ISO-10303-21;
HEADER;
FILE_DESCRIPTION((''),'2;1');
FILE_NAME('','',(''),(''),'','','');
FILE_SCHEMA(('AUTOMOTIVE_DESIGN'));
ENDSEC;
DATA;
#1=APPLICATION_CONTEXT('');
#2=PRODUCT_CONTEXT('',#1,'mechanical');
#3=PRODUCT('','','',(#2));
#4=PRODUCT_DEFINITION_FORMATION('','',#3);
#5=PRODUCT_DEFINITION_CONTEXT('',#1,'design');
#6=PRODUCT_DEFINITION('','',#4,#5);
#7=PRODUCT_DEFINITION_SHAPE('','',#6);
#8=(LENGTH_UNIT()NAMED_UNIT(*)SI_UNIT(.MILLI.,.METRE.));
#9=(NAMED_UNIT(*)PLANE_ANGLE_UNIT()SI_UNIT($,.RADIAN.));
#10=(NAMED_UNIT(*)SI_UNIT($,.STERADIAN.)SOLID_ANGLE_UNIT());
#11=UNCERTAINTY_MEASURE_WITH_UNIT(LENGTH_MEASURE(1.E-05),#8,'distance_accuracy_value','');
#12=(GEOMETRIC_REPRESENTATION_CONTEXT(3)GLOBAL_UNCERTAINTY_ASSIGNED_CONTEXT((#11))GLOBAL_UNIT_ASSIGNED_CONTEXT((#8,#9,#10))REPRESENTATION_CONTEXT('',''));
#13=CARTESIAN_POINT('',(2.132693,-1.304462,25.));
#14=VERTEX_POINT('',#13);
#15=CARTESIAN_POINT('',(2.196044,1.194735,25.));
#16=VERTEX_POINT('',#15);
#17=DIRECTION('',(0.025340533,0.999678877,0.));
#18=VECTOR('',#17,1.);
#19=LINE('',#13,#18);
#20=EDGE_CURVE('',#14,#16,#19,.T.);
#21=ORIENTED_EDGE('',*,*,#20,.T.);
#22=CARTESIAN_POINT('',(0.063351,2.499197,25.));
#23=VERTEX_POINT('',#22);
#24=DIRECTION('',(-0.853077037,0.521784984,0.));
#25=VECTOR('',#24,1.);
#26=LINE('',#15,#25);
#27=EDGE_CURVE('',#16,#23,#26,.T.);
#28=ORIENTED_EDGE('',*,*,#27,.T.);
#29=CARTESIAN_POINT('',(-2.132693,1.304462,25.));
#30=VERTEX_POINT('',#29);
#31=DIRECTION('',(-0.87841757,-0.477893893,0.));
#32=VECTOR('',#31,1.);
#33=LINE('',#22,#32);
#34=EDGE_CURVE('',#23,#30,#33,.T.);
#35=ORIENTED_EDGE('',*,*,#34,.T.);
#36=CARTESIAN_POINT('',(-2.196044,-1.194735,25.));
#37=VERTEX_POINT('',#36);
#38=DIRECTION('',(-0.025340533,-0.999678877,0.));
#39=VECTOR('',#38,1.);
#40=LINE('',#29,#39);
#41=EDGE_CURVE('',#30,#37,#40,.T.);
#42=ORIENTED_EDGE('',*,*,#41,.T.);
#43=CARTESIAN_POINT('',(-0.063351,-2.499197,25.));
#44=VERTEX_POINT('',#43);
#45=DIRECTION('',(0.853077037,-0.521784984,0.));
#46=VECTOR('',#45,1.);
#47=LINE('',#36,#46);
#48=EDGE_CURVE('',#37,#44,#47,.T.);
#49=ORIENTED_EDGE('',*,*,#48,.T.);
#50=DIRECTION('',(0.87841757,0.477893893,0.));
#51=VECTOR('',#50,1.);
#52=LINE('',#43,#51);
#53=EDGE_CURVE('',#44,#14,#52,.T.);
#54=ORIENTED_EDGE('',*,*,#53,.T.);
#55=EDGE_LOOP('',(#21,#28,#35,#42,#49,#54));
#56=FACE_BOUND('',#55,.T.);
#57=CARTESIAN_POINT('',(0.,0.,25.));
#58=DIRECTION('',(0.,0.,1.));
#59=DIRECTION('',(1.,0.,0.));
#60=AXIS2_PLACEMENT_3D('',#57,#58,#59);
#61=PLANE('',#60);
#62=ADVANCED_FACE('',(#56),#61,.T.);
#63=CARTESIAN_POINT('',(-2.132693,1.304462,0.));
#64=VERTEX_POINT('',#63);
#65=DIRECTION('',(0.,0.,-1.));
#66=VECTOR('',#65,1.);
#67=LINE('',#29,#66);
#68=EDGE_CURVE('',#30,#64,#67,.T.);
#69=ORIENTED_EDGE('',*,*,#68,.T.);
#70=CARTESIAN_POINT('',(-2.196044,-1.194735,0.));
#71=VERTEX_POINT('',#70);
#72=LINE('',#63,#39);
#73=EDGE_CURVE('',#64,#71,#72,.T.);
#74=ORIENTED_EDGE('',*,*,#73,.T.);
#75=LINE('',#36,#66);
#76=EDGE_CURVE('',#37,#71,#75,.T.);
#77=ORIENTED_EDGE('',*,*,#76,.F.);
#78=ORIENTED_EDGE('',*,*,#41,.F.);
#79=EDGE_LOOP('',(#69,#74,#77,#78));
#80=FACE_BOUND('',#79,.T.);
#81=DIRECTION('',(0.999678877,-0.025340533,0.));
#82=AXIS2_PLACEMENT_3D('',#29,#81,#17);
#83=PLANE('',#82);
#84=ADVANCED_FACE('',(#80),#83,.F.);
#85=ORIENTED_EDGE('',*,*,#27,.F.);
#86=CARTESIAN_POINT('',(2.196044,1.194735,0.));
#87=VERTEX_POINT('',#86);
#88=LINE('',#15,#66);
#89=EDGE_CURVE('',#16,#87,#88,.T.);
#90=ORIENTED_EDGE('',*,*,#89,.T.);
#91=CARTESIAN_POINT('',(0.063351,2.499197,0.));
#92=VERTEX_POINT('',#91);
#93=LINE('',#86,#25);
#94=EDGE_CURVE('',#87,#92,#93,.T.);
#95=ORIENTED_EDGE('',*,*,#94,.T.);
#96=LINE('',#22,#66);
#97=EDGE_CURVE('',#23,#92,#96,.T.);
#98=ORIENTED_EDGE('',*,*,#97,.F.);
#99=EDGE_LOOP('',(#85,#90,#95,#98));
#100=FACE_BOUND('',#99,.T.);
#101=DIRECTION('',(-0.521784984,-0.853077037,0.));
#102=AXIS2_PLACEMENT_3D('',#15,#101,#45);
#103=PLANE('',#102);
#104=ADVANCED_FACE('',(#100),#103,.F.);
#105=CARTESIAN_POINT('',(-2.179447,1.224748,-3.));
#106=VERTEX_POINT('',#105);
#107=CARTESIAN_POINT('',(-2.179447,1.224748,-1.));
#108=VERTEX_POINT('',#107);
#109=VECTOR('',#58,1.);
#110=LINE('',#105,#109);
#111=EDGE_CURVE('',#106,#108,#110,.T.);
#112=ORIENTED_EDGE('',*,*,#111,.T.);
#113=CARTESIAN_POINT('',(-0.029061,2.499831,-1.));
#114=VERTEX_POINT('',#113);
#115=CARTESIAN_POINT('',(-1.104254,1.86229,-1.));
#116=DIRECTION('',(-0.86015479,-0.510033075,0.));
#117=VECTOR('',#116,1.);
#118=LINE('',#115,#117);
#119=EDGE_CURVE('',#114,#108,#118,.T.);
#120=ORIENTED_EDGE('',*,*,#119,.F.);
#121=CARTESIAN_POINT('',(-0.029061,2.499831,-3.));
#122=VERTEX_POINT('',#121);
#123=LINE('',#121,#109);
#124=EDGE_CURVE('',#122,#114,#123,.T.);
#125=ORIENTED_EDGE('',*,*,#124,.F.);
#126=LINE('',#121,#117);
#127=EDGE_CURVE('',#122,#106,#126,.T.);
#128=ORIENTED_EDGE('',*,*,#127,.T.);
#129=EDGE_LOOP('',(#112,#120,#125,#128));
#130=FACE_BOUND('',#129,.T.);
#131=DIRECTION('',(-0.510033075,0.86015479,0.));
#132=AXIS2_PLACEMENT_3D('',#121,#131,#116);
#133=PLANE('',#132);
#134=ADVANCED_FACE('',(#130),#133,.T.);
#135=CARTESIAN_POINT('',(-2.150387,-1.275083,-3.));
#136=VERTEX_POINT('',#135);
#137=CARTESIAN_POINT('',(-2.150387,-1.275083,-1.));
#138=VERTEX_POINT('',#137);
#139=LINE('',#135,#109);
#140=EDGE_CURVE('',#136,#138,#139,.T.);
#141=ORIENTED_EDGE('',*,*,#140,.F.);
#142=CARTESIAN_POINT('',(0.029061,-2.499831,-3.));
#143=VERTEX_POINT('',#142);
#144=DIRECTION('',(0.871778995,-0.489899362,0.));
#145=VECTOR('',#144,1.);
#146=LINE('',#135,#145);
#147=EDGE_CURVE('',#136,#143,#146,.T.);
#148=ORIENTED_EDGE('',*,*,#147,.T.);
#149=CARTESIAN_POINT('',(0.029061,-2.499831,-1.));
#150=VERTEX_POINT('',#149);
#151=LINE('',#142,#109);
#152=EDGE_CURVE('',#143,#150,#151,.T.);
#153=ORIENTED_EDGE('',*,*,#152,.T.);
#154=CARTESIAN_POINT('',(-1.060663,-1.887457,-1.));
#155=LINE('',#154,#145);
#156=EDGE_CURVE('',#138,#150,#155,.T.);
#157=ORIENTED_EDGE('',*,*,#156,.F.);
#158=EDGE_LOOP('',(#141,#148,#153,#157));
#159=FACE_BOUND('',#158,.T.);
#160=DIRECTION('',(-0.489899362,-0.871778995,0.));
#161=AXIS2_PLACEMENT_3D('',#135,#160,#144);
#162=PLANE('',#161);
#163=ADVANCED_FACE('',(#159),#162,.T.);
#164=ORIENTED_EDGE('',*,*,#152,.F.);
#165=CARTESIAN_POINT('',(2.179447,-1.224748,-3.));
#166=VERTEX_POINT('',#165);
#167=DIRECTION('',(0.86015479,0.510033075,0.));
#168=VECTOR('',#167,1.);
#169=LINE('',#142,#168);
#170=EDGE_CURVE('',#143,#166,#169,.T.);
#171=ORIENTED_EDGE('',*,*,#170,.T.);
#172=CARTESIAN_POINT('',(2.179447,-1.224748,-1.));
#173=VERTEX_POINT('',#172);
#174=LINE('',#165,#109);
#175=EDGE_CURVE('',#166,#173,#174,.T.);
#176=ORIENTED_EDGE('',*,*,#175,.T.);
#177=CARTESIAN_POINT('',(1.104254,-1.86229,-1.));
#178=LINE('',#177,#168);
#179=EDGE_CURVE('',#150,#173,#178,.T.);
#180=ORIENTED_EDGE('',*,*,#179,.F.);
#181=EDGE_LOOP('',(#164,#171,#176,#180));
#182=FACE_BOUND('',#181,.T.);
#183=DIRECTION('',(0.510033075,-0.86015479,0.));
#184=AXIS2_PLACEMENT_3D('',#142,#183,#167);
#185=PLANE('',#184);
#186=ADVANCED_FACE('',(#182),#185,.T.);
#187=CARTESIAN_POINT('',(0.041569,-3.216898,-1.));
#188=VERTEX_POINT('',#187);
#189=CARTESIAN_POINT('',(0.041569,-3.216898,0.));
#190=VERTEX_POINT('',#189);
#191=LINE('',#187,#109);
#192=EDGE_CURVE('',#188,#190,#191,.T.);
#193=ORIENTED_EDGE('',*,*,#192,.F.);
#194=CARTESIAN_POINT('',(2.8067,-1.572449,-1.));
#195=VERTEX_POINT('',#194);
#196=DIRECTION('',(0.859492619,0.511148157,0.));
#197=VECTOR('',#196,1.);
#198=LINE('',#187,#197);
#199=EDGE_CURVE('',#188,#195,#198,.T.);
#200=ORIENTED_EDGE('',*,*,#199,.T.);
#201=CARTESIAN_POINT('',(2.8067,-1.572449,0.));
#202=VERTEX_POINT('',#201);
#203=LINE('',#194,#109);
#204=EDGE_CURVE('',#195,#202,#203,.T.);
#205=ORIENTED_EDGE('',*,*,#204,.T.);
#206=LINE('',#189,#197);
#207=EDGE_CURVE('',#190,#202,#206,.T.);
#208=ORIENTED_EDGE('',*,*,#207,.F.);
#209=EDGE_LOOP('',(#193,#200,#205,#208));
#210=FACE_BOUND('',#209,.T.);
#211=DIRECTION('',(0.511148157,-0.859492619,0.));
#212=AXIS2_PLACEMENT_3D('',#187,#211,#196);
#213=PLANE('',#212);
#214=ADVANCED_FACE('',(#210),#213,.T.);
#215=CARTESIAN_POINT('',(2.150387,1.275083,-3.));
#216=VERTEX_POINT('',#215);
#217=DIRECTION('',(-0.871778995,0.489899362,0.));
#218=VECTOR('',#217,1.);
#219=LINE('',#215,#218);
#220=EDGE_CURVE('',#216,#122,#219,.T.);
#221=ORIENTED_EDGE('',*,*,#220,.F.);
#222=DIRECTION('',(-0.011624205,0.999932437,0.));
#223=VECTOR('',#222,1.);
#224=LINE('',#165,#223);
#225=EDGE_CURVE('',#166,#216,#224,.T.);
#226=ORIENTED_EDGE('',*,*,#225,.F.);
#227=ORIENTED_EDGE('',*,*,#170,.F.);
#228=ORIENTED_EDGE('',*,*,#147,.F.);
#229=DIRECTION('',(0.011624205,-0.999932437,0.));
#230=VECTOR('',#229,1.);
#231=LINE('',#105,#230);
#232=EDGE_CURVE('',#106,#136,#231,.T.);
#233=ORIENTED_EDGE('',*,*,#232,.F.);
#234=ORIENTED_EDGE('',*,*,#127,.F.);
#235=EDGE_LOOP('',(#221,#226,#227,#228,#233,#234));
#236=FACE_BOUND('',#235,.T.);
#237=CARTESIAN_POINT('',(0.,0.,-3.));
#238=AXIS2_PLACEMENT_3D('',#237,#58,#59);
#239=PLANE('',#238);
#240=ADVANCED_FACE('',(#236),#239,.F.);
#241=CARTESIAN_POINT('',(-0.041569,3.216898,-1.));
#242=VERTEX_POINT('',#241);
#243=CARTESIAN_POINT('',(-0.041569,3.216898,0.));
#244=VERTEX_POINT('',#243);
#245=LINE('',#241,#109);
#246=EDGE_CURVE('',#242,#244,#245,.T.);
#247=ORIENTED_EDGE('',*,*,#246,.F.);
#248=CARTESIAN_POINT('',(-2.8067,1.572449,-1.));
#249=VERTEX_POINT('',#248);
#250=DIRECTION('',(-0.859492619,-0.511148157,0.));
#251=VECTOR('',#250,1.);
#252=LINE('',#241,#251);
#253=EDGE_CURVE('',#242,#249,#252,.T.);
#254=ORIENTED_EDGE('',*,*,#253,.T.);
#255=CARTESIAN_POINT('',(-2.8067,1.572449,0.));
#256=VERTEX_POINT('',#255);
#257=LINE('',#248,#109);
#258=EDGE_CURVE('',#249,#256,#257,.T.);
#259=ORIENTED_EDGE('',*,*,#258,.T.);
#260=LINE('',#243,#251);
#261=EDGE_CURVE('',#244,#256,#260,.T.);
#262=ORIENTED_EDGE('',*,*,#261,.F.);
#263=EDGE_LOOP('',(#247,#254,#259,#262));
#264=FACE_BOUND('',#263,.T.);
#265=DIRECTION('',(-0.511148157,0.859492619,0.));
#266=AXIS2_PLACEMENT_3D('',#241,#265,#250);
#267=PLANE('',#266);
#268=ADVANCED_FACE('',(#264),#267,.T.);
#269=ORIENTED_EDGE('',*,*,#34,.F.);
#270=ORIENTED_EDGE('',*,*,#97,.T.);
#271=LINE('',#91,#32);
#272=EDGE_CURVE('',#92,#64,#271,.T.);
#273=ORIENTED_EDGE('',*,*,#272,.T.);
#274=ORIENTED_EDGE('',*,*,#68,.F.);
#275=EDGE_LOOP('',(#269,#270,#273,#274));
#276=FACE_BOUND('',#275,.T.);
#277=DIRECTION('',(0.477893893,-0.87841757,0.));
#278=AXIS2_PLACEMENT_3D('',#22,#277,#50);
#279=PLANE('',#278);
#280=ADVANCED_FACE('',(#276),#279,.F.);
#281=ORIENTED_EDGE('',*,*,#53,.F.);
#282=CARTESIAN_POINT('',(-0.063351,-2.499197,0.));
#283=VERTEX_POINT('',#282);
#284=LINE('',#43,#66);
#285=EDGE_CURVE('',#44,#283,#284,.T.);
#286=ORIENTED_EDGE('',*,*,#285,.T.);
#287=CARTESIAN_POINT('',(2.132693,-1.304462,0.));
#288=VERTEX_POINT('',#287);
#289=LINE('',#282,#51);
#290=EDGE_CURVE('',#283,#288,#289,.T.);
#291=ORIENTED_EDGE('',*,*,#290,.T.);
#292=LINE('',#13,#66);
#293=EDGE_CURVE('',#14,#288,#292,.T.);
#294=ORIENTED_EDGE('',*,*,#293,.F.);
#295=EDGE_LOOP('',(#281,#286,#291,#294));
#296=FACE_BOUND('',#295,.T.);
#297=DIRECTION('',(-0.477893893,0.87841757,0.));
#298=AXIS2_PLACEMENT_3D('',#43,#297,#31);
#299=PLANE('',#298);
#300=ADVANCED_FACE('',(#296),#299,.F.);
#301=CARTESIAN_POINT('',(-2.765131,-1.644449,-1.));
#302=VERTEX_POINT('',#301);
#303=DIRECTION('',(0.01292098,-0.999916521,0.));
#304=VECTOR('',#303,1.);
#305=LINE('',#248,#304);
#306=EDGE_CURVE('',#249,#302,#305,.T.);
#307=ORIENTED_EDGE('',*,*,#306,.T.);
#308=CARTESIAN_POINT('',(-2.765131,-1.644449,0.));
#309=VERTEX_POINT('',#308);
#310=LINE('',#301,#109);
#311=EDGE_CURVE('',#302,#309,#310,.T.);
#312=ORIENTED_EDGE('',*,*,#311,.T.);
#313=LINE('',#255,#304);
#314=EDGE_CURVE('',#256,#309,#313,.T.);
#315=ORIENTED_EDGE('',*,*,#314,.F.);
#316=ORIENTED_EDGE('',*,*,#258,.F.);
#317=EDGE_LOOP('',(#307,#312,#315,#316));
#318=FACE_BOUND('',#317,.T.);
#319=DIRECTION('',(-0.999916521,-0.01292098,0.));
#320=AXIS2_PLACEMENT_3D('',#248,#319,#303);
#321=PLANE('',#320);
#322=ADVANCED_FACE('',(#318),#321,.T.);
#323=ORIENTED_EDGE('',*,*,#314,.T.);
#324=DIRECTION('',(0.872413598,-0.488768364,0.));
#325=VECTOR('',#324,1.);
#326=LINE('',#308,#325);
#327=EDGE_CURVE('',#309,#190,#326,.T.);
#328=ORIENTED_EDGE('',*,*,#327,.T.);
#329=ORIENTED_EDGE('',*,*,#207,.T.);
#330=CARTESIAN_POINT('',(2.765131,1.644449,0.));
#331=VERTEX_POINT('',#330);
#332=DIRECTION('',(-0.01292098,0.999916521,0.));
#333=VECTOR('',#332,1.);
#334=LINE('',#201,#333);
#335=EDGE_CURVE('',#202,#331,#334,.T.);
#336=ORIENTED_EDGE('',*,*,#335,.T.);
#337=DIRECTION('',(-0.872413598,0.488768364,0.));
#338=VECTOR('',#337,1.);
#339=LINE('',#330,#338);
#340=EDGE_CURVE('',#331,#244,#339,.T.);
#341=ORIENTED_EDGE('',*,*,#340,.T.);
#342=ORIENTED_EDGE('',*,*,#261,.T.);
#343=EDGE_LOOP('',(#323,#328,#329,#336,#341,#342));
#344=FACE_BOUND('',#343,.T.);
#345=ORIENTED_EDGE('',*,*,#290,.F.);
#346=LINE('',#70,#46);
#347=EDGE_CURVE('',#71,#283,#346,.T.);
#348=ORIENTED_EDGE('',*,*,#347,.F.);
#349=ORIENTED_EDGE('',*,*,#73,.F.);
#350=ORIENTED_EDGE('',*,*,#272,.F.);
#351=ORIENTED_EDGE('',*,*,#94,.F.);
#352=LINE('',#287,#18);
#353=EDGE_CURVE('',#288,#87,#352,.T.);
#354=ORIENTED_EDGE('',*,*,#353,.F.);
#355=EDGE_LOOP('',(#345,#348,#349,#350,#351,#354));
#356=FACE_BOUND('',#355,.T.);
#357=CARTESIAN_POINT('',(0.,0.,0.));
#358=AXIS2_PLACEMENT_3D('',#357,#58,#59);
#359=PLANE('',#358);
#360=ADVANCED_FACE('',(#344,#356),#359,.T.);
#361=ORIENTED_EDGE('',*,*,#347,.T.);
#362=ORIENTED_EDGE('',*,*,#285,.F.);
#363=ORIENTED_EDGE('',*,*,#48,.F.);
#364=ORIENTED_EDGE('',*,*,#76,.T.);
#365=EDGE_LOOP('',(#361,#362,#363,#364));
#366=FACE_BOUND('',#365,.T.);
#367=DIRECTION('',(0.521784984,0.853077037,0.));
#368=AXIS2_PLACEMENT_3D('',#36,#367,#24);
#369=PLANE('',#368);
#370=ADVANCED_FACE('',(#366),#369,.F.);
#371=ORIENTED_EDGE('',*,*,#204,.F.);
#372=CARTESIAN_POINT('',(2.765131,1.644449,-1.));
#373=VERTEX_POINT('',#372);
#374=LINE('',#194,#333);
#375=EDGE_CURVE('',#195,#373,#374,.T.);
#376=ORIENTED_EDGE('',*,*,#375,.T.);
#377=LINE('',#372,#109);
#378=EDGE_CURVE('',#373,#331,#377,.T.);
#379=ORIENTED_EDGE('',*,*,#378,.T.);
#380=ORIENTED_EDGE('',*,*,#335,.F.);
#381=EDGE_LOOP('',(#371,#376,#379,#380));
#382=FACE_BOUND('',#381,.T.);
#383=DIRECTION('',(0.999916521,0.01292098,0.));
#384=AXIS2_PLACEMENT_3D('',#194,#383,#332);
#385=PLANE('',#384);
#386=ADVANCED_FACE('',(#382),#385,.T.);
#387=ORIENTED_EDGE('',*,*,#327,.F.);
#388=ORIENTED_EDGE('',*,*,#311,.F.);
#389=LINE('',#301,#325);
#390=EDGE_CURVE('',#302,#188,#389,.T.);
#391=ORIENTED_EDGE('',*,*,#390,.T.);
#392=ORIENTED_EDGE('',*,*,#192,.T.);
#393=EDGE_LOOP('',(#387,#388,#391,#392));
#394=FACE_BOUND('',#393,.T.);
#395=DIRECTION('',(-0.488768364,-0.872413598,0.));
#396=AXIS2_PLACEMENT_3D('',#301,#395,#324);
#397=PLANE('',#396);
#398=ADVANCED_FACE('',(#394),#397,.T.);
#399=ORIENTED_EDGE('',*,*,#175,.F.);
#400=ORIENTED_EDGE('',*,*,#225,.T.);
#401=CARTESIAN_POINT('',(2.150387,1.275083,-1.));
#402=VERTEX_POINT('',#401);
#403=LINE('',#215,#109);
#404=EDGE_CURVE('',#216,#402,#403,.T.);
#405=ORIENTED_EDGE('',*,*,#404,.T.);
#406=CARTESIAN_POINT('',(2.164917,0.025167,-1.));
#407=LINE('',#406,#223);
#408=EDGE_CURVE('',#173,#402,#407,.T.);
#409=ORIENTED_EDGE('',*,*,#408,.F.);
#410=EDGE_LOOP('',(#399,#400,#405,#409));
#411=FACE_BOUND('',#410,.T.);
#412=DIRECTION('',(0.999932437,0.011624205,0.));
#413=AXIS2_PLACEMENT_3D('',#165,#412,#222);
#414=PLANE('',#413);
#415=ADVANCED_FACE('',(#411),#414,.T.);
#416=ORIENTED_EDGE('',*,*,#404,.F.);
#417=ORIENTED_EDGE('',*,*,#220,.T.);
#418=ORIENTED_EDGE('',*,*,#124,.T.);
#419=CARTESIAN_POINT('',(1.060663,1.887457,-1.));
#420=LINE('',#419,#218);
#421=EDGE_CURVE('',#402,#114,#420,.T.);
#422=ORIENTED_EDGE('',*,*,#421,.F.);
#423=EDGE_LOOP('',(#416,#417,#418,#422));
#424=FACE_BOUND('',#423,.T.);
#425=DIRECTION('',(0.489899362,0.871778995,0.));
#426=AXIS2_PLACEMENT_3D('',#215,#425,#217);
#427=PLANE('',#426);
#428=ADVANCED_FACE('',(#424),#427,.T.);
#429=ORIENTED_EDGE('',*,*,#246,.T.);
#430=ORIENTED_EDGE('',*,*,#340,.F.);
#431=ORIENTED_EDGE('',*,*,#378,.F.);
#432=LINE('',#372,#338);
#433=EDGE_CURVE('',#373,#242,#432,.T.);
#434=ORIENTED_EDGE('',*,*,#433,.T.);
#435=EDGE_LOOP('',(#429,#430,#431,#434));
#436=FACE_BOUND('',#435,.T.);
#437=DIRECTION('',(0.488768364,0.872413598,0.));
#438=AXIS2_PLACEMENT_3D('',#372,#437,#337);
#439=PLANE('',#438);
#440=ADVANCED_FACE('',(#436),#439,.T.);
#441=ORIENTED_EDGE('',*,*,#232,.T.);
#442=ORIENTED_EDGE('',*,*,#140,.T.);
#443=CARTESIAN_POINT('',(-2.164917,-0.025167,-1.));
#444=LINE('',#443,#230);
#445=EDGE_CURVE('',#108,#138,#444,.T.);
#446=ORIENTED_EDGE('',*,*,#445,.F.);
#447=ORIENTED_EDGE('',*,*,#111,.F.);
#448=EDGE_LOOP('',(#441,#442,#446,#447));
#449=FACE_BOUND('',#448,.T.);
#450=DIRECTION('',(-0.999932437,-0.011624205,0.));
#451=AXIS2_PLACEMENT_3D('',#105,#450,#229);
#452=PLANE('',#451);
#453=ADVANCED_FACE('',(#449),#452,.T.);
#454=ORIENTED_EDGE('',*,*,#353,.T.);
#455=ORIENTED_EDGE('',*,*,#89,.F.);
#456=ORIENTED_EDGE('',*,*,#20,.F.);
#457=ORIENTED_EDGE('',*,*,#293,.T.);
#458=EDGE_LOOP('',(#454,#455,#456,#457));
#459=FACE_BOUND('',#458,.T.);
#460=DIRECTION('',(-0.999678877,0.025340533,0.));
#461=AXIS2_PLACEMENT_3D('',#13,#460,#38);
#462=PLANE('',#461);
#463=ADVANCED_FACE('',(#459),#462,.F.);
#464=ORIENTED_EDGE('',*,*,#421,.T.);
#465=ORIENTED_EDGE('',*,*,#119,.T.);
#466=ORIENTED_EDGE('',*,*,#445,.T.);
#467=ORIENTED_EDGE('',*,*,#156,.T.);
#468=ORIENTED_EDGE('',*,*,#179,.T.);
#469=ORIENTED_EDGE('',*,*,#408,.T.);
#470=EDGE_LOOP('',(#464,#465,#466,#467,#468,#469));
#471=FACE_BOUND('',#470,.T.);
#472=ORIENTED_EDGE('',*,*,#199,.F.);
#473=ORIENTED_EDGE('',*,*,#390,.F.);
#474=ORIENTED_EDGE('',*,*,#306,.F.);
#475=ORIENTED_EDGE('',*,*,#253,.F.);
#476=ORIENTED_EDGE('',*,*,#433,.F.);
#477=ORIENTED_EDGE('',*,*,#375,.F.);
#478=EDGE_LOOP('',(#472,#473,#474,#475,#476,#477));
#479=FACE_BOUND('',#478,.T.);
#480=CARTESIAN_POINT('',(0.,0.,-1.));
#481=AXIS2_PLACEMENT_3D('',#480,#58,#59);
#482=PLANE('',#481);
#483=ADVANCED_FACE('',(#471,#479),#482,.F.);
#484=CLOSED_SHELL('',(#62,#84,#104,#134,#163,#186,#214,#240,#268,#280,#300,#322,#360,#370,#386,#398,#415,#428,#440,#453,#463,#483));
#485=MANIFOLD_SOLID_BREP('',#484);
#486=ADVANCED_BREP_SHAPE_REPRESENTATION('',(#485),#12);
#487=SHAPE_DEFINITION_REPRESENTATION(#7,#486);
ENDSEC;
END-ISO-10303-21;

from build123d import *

# Parameters (mm, degrees)
BOSS_EXTRUDE1_DEPTH = 25
BOSS_EXTRUDE2_DEPTH = 1
BOSS_EXTRUDE3_DEPTH = 3


with BuildPart() as part:
    # Sketch2 → Boss-Extrude1 (new body)
    with BuildSketch(Plane.XY):
        Polygon((2.132692592, -1.304462459), (2.196043924, 1.194734734), (0.063351332, 2.499197193), (-2.132692592, 1.304462459), (-2.196043924, -1.194734734), (-0.063351332, -2.499197193), align=None)
    extrude(amount=BOSS_EXTRUDE1_DEPTH)

    # Sketch3 → Boss-Extrude2 (add)
    with BuildSketch(Plane.XY):
        Polygon((2.806699615, -1.572449101), (2.765130676, 1.644448617), (-0.04156894, 3.216897718), (-2.806699615, 1.572449101), (-2.765130676, -1.644448617), (0.04156894, -3.216897718), align=None)
    extrude(amount=-BOSS_EXTRUDE2_DEPTH)

    # Sketch4 → Boss-Extrude3 (add)
    with BuildSketch(Plane.XY):
        Polygon((-2.150386975, -1.275082687), (0.029060512, -2.499831092), (2.179447487, -1.224748404), (2.150386975, 1.275082687), (-0.029060512, 2.499831092), (-2.179447487, 1.224748404), align=None)
    extrude(amount=-BOSS_EXTRUDE3_DEPTH)


solid = part.part
